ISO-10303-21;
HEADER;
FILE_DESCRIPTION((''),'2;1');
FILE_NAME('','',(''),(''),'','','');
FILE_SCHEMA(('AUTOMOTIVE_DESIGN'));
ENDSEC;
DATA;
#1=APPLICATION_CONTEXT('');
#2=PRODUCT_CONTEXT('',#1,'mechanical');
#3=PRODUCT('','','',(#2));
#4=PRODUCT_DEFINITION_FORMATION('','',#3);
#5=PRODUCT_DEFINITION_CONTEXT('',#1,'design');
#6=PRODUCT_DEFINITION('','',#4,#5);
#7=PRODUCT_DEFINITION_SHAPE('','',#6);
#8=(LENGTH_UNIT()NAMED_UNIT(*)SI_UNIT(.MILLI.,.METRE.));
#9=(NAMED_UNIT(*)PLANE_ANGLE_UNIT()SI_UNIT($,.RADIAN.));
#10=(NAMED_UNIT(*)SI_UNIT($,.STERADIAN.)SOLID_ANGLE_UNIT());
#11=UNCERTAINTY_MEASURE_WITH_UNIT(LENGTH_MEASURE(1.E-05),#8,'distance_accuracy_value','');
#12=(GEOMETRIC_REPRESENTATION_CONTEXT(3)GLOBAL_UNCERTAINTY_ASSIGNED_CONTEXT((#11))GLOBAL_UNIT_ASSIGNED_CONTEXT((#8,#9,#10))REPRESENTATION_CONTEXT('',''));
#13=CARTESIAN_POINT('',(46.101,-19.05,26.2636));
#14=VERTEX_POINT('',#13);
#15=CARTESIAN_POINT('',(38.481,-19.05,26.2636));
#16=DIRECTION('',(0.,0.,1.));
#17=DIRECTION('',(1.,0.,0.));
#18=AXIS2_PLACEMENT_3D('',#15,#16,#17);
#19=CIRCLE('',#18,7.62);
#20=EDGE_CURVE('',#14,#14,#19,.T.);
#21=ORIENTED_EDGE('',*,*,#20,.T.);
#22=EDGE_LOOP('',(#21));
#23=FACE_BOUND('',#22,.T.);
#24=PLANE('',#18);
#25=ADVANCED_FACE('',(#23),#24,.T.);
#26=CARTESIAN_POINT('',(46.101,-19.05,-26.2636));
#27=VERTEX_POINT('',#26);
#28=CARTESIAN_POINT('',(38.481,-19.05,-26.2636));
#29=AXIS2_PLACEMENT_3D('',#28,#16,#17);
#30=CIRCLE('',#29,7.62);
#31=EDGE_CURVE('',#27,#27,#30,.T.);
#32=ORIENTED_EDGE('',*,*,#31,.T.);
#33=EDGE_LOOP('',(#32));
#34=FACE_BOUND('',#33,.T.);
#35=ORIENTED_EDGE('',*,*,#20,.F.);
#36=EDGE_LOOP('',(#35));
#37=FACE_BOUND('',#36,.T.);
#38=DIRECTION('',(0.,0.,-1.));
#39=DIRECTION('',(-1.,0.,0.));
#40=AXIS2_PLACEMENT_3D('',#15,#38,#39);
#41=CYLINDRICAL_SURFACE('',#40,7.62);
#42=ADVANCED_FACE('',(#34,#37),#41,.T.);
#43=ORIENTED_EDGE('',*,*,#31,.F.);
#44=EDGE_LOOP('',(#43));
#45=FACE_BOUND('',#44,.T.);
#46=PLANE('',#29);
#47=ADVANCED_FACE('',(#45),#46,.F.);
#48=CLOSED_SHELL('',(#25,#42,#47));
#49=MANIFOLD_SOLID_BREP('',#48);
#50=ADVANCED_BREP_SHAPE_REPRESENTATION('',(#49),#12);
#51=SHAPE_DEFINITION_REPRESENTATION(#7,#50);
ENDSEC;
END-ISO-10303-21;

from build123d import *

# Parameters (mm, degrees)
SK_AXLE_R      = 7.62
EXT_AXLE_DEPTH = 26.2636


with BuildPart() as part:
    # Sk_axle → Ext_axle (new, symmetric)
    with BuildSketch(Plane.XY):
        with Locations((38.481, -19.05)):
            Circle(SK_AXLE_R)
    extrude(amount=EXT_AXLE_DEPTH, both=True)


solid = part.part
